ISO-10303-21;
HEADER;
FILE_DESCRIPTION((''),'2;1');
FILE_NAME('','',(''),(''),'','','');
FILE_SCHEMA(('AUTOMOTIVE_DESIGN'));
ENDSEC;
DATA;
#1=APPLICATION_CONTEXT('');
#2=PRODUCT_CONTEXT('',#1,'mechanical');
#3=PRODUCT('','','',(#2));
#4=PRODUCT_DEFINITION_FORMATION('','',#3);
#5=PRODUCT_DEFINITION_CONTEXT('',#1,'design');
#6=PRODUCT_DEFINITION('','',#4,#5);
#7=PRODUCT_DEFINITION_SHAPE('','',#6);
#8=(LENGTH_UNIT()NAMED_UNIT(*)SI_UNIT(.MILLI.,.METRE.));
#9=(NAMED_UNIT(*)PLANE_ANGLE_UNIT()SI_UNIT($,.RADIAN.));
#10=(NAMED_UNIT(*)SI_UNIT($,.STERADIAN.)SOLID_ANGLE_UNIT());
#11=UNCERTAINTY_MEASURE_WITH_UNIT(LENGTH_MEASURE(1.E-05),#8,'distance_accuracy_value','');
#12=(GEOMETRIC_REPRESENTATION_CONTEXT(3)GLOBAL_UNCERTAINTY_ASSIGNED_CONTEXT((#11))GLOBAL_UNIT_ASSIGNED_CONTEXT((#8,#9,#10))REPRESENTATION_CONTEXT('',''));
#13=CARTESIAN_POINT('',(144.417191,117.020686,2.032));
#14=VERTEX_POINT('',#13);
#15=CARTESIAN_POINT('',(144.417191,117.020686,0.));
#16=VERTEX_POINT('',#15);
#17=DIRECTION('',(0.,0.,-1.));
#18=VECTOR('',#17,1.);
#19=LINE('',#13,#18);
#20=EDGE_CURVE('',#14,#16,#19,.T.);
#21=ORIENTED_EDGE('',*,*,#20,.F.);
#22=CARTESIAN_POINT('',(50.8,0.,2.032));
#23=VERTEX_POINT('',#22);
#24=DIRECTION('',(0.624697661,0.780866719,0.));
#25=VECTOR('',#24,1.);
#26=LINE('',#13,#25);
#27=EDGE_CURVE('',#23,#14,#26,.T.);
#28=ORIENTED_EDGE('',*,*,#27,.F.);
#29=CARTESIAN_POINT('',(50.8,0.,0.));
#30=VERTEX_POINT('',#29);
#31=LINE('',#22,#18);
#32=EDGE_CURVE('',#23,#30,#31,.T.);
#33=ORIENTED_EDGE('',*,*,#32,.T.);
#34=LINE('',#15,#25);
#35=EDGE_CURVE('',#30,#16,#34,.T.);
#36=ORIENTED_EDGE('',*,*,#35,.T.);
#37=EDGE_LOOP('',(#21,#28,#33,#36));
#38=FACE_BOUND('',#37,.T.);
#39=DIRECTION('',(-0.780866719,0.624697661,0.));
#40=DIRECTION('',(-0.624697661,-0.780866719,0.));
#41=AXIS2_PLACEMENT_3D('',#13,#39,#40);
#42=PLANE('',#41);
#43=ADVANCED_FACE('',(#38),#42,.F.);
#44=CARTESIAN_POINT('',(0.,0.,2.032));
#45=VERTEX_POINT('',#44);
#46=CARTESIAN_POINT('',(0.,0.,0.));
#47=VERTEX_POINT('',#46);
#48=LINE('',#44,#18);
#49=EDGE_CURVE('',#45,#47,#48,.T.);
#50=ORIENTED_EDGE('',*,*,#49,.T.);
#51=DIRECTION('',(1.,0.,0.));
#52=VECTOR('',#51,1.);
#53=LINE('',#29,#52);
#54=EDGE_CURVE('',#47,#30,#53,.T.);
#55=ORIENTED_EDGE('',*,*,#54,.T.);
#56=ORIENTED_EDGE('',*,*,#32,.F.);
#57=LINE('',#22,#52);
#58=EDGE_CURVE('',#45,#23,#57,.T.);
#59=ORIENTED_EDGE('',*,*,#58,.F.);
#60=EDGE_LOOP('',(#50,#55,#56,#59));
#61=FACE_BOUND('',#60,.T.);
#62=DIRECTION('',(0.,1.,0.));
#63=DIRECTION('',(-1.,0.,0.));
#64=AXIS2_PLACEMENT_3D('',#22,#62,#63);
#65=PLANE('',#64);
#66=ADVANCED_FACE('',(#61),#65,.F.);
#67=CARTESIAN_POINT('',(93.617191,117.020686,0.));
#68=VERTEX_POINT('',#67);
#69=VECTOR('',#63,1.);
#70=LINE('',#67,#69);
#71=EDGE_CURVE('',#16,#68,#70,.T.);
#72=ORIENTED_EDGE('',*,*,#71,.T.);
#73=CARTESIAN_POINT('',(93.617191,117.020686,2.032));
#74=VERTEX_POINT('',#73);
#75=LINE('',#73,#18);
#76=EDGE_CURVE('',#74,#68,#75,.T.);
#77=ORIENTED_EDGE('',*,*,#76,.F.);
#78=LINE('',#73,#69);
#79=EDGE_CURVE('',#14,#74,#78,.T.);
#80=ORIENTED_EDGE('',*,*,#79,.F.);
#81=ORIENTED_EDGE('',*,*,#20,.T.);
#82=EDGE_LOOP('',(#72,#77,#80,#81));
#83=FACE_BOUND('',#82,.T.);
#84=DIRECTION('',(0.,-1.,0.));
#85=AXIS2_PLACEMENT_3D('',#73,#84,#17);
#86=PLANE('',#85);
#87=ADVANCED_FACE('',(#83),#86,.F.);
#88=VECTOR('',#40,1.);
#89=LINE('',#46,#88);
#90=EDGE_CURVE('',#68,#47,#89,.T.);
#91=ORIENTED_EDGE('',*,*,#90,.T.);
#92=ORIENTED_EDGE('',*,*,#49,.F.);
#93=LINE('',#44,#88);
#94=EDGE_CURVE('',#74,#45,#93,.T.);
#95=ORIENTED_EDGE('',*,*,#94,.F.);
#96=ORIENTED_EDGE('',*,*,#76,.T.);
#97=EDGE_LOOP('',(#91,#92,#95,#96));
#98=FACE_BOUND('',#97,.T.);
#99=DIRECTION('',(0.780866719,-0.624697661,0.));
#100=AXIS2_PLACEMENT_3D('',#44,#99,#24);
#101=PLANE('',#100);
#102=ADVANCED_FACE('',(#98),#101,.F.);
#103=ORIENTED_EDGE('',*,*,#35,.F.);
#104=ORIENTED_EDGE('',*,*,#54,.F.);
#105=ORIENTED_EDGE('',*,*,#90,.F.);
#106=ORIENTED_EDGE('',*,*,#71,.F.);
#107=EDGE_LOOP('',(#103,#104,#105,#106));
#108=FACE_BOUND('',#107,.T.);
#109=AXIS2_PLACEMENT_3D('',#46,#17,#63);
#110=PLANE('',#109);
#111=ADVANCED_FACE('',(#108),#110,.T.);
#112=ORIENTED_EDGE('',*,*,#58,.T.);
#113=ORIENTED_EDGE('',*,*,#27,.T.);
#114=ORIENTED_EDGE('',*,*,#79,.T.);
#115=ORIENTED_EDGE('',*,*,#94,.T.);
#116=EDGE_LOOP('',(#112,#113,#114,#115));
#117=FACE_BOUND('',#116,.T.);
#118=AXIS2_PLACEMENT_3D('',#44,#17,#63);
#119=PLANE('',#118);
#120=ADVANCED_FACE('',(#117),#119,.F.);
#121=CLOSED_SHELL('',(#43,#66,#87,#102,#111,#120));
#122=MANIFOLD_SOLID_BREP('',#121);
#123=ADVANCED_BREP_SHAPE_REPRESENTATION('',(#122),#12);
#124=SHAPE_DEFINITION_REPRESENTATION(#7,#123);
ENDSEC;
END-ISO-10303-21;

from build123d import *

# Parameters (mm, degrees)
BOSS_EXTRUDE1_DEPTH = 2.032


with BuildPart() as part:
    # Sketch2 → Boss-Extrude1 (new body)
    with BuildSketch(Plane.XY):
        Polygon((0, 0), (93.617191448, 117.020686485), (144.417191448, 117.020686485), (50.8, 0), align=None)
    extrude(amount=BOSS_EXTRUDE1_DEPTH)


solid = part.part
